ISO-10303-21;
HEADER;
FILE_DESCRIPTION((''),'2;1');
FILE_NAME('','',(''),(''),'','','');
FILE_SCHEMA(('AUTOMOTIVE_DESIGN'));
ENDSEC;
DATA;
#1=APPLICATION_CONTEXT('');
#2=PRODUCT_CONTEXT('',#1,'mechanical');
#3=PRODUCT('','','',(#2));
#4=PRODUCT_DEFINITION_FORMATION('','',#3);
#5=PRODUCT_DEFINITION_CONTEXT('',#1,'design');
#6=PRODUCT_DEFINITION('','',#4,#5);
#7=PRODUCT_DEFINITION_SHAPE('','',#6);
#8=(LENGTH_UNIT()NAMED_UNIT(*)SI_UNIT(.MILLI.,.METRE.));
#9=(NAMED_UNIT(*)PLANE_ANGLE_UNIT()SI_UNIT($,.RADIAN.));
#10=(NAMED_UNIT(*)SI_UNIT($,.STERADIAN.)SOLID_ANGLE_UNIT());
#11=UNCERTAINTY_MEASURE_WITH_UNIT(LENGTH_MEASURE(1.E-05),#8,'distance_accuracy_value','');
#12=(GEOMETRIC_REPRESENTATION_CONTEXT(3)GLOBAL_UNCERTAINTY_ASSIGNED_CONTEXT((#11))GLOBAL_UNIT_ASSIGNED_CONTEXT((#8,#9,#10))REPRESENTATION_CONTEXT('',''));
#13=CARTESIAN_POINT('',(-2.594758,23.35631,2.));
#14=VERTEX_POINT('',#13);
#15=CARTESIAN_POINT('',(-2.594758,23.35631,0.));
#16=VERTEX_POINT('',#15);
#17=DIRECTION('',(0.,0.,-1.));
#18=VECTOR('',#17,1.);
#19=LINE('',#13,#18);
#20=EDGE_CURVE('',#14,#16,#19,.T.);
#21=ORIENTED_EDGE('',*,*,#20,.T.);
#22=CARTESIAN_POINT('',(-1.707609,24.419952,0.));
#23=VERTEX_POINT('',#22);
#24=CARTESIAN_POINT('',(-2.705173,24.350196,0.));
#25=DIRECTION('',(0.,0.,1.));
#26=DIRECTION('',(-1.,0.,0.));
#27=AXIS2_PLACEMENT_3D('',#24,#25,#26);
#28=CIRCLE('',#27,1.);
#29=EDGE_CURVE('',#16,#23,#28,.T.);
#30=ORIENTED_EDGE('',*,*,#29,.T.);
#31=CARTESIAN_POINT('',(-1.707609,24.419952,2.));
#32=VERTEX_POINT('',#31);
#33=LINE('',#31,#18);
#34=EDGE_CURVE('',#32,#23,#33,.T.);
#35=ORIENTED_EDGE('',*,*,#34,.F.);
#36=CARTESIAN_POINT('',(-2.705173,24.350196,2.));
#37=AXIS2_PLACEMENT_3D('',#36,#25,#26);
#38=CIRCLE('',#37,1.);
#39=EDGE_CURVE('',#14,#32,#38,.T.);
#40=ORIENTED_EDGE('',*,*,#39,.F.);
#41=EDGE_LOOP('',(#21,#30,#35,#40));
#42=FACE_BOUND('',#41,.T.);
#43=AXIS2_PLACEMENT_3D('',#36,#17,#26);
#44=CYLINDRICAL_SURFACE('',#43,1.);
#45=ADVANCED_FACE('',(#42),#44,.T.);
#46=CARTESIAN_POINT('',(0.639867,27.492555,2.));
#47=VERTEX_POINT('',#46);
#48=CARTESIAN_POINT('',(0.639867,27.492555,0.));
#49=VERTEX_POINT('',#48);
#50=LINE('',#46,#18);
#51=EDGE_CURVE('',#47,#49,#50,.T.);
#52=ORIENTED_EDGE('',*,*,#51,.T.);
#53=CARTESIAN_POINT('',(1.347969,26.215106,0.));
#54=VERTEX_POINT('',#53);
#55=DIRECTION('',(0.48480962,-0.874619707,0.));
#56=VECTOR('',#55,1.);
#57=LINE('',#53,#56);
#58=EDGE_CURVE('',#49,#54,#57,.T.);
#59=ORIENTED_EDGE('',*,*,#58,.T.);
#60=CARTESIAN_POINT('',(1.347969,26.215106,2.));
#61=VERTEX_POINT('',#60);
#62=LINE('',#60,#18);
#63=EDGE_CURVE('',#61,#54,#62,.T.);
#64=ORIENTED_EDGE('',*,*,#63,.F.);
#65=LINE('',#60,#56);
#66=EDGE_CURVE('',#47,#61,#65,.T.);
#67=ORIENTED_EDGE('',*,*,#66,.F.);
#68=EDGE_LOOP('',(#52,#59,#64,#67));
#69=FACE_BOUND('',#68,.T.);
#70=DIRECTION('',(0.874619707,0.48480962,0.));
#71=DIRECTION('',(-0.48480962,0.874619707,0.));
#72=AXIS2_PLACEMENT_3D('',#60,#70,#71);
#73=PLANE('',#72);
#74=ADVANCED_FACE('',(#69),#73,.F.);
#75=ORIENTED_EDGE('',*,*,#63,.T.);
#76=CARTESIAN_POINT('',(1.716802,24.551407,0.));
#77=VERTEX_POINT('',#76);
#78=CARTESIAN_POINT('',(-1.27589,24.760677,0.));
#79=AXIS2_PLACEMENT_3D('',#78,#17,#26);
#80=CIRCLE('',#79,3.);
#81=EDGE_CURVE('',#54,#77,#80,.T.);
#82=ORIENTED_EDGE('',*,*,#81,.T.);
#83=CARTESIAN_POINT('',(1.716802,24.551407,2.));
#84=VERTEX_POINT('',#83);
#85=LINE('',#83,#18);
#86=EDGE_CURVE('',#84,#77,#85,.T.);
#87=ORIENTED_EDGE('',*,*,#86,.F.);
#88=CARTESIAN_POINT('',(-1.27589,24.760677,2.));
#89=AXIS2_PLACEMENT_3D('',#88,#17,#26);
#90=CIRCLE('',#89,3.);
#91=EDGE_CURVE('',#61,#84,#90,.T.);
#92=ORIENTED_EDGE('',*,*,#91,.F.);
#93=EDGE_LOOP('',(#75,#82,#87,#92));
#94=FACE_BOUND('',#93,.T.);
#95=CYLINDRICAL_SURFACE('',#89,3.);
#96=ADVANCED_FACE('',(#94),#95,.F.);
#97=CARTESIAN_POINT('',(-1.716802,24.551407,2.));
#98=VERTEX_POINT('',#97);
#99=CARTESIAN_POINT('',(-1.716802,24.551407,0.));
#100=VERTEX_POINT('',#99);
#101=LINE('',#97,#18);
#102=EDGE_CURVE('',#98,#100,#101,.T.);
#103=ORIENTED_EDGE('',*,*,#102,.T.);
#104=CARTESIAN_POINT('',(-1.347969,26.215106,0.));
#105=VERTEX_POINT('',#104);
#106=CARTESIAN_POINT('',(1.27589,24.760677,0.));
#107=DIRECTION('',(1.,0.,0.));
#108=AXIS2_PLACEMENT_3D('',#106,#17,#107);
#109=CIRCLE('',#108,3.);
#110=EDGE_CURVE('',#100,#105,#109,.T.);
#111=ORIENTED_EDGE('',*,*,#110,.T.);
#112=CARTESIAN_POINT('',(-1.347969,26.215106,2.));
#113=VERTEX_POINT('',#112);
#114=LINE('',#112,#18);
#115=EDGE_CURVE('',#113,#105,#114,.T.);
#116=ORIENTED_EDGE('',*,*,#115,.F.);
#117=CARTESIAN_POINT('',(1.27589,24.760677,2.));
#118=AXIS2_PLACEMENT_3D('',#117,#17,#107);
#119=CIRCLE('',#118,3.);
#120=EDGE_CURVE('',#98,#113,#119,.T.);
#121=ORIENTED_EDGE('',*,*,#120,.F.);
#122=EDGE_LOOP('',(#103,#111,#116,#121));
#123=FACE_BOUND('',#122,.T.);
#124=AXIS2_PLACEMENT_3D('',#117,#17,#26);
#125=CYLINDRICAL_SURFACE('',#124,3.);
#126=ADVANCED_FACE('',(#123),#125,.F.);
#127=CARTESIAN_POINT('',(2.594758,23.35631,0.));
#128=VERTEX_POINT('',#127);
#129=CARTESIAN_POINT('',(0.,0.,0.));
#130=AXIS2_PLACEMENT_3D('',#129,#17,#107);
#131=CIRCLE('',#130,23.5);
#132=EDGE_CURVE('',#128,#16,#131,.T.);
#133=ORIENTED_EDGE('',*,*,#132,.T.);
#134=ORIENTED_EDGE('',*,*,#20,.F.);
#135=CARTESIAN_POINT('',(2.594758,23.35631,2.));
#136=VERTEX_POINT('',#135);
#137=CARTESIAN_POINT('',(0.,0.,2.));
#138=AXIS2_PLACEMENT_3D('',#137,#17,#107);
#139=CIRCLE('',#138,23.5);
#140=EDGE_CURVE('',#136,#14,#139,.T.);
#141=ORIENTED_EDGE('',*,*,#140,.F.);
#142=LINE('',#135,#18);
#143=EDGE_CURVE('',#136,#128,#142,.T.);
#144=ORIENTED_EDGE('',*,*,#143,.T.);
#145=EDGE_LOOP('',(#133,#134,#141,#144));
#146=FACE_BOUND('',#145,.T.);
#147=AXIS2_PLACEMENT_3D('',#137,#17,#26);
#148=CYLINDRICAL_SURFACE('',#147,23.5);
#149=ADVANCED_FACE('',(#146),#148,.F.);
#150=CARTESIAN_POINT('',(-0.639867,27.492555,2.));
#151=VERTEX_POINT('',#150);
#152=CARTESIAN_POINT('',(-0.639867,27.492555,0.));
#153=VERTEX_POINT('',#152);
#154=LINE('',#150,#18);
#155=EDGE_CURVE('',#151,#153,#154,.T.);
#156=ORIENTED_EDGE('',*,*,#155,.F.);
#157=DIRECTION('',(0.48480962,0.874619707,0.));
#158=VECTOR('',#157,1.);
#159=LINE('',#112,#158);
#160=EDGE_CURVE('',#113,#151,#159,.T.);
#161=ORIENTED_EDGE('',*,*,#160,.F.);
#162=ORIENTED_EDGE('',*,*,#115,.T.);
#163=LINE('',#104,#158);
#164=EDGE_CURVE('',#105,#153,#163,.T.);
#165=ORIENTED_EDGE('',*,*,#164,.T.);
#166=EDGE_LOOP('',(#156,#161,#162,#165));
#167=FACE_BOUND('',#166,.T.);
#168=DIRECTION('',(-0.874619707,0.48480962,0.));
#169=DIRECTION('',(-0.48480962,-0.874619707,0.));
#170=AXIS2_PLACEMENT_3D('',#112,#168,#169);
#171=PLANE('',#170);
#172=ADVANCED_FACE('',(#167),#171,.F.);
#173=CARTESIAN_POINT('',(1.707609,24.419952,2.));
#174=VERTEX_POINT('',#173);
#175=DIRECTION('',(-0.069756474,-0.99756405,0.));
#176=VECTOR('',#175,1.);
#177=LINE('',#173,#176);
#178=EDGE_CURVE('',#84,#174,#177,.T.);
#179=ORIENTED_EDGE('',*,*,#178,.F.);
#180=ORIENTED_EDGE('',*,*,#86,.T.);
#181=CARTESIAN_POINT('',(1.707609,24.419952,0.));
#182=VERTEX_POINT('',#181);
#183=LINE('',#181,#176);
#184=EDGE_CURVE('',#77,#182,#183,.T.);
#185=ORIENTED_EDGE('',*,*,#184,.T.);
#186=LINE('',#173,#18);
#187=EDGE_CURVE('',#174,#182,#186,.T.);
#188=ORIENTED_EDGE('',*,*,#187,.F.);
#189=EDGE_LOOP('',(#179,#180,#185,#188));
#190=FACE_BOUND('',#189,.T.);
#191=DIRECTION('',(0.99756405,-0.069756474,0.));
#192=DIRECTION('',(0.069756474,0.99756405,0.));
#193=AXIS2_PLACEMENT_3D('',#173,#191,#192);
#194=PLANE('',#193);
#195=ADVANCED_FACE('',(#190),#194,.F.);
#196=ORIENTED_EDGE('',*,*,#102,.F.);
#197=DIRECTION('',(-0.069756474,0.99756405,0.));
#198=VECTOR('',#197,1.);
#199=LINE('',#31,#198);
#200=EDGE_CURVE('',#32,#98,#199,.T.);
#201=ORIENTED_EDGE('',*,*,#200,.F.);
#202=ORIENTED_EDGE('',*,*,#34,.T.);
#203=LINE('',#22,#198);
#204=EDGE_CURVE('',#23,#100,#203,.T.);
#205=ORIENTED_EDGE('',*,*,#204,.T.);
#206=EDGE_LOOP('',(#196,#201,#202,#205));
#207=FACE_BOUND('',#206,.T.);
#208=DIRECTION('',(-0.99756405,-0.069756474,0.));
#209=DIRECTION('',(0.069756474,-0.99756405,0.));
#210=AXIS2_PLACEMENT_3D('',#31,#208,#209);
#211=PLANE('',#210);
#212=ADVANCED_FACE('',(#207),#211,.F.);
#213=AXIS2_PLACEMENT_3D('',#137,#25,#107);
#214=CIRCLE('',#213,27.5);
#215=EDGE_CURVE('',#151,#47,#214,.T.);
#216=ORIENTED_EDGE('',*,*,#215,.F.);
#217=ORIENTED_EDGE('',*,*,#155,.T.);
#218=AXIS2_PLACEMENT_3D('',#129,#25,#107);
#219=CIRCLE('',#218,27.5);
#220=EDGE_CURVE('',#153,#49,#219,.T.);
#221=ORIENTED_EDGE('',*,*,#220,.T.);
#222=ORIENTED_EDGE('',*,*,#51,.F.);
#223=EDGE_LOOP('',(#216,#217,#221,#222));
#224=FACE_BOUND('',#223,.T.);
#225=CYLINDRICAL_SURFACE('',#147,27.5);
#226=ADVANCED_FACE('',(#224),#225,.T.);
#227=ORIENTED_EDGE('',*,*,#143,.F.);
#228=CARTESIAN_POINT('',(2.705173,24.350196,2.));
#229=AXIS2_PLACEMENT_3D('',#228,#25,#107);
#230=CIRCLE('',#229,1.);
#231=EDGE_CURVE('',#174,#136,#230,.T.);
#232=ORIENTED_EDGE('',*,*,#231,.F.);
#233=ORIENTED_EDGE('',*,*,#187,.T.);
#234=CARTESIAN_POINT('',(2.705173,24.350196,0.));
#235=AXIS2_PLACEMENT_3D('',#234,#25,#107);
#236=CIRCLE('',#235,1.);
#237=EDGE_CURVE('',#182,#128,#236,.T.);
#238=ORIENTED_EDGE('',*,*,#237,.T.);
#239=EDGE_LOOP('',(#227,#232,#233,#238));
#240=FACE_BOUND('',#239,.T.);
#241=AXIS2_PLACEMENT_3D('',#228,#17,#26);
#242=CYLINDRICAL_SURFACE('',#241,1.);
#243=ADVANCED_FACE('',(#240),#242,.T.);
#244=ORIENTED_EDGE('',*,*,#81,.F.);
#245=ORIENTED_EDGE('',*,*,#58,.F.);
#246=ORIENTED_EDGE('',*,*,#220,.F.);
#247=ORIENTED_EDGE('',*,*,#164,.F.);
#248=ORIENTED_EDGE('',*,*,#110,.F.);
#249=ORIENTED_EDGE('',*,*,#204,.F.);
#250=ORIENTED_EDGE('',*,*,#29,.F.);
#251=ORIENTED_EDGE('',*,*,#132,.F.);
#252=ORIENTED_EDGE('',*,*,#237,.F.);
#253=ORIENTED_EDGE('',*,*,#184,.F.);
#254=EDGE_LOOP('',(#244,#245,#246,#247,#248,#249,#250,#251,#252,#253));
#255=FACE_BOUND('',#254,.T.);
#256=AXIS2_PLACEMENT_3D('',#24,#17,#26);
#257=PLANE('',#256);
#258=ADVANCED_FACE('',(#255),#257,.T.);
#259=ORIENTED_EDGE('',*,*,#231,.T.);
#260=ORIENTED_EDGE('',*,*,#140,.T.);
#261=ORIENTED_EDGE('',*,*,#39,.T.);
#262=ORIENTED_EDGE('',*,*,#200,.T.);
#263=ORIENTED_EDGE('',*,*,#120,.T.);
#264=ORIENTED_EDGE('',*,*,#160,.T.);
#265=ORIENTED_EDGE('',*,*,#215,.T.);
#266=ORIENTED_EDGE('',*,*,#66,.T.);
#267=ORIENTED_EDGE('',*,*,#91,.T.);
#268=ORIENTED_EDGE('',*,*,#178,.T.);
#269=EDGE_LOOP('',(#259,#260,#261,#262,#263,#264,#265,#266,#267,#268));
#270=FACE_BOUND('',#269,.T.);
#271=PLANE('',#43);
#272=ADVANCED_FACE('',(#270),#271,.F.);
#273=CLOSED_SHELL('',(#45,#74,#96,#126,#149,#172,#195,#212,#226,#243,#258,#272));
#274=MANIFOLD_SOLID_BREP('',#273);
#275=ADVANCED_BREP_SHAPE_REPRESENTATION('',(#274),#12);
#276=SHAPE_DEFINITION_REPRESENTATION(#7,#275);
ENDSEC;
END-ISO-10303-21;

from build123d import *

# Parameters (mm, degrees)
ESTRUSIONE_ESTRUSIONE1_DEPTH = 2


with BuildPart() as part:
    # Schizzo1 → Estrusione-Estrusione1 (new body)
    with BuildSketch(Plane.XY):
        with BuildLine():
            Line((-1.707609412, 24.419952295), (-1.716801654, 24.55140748))
            ThreePointArc((-1.716801654, 24.55140748), (-1.652997524, 25.409995743), (-1.347968624, 26.215105762))
            Line((-1.347968624, 26.215105762), (-0.639867053, 27.492554813))
            ThreePointArc((-0.639867053, 27.492554813), (0, -27.5), (0.639867053, 27.492554813))
            Line((0.639867053, 27.492554813), (1.347968624, 26.215105762))
            ThreePointArc((1.347968624, 26.215105762), (1.652997524, 25.409995743), (1.716801654, 24.55140748))
            Line((1.716801654, 24.55140748), (1.707609412, 24.419952295))
            ThreePointArc((1.707609412, 24.419952295), (1.937229379, 23.709678932), (2.594758219, 23.356310278))
            ThreePointArc((2.594758219, 23.356310278), (0, -23.5), (-2.594758219, 23.356310278))
            ThreePointArc((-2.594758219, 23.356310278), (-1.937229379, 23.709678932), (-1.707609412, 24.419952295))
        make_face()
    extrude(amount=ESTRUSIONE_ESTRUSIONE1_DEPTH)


solid = part.part
